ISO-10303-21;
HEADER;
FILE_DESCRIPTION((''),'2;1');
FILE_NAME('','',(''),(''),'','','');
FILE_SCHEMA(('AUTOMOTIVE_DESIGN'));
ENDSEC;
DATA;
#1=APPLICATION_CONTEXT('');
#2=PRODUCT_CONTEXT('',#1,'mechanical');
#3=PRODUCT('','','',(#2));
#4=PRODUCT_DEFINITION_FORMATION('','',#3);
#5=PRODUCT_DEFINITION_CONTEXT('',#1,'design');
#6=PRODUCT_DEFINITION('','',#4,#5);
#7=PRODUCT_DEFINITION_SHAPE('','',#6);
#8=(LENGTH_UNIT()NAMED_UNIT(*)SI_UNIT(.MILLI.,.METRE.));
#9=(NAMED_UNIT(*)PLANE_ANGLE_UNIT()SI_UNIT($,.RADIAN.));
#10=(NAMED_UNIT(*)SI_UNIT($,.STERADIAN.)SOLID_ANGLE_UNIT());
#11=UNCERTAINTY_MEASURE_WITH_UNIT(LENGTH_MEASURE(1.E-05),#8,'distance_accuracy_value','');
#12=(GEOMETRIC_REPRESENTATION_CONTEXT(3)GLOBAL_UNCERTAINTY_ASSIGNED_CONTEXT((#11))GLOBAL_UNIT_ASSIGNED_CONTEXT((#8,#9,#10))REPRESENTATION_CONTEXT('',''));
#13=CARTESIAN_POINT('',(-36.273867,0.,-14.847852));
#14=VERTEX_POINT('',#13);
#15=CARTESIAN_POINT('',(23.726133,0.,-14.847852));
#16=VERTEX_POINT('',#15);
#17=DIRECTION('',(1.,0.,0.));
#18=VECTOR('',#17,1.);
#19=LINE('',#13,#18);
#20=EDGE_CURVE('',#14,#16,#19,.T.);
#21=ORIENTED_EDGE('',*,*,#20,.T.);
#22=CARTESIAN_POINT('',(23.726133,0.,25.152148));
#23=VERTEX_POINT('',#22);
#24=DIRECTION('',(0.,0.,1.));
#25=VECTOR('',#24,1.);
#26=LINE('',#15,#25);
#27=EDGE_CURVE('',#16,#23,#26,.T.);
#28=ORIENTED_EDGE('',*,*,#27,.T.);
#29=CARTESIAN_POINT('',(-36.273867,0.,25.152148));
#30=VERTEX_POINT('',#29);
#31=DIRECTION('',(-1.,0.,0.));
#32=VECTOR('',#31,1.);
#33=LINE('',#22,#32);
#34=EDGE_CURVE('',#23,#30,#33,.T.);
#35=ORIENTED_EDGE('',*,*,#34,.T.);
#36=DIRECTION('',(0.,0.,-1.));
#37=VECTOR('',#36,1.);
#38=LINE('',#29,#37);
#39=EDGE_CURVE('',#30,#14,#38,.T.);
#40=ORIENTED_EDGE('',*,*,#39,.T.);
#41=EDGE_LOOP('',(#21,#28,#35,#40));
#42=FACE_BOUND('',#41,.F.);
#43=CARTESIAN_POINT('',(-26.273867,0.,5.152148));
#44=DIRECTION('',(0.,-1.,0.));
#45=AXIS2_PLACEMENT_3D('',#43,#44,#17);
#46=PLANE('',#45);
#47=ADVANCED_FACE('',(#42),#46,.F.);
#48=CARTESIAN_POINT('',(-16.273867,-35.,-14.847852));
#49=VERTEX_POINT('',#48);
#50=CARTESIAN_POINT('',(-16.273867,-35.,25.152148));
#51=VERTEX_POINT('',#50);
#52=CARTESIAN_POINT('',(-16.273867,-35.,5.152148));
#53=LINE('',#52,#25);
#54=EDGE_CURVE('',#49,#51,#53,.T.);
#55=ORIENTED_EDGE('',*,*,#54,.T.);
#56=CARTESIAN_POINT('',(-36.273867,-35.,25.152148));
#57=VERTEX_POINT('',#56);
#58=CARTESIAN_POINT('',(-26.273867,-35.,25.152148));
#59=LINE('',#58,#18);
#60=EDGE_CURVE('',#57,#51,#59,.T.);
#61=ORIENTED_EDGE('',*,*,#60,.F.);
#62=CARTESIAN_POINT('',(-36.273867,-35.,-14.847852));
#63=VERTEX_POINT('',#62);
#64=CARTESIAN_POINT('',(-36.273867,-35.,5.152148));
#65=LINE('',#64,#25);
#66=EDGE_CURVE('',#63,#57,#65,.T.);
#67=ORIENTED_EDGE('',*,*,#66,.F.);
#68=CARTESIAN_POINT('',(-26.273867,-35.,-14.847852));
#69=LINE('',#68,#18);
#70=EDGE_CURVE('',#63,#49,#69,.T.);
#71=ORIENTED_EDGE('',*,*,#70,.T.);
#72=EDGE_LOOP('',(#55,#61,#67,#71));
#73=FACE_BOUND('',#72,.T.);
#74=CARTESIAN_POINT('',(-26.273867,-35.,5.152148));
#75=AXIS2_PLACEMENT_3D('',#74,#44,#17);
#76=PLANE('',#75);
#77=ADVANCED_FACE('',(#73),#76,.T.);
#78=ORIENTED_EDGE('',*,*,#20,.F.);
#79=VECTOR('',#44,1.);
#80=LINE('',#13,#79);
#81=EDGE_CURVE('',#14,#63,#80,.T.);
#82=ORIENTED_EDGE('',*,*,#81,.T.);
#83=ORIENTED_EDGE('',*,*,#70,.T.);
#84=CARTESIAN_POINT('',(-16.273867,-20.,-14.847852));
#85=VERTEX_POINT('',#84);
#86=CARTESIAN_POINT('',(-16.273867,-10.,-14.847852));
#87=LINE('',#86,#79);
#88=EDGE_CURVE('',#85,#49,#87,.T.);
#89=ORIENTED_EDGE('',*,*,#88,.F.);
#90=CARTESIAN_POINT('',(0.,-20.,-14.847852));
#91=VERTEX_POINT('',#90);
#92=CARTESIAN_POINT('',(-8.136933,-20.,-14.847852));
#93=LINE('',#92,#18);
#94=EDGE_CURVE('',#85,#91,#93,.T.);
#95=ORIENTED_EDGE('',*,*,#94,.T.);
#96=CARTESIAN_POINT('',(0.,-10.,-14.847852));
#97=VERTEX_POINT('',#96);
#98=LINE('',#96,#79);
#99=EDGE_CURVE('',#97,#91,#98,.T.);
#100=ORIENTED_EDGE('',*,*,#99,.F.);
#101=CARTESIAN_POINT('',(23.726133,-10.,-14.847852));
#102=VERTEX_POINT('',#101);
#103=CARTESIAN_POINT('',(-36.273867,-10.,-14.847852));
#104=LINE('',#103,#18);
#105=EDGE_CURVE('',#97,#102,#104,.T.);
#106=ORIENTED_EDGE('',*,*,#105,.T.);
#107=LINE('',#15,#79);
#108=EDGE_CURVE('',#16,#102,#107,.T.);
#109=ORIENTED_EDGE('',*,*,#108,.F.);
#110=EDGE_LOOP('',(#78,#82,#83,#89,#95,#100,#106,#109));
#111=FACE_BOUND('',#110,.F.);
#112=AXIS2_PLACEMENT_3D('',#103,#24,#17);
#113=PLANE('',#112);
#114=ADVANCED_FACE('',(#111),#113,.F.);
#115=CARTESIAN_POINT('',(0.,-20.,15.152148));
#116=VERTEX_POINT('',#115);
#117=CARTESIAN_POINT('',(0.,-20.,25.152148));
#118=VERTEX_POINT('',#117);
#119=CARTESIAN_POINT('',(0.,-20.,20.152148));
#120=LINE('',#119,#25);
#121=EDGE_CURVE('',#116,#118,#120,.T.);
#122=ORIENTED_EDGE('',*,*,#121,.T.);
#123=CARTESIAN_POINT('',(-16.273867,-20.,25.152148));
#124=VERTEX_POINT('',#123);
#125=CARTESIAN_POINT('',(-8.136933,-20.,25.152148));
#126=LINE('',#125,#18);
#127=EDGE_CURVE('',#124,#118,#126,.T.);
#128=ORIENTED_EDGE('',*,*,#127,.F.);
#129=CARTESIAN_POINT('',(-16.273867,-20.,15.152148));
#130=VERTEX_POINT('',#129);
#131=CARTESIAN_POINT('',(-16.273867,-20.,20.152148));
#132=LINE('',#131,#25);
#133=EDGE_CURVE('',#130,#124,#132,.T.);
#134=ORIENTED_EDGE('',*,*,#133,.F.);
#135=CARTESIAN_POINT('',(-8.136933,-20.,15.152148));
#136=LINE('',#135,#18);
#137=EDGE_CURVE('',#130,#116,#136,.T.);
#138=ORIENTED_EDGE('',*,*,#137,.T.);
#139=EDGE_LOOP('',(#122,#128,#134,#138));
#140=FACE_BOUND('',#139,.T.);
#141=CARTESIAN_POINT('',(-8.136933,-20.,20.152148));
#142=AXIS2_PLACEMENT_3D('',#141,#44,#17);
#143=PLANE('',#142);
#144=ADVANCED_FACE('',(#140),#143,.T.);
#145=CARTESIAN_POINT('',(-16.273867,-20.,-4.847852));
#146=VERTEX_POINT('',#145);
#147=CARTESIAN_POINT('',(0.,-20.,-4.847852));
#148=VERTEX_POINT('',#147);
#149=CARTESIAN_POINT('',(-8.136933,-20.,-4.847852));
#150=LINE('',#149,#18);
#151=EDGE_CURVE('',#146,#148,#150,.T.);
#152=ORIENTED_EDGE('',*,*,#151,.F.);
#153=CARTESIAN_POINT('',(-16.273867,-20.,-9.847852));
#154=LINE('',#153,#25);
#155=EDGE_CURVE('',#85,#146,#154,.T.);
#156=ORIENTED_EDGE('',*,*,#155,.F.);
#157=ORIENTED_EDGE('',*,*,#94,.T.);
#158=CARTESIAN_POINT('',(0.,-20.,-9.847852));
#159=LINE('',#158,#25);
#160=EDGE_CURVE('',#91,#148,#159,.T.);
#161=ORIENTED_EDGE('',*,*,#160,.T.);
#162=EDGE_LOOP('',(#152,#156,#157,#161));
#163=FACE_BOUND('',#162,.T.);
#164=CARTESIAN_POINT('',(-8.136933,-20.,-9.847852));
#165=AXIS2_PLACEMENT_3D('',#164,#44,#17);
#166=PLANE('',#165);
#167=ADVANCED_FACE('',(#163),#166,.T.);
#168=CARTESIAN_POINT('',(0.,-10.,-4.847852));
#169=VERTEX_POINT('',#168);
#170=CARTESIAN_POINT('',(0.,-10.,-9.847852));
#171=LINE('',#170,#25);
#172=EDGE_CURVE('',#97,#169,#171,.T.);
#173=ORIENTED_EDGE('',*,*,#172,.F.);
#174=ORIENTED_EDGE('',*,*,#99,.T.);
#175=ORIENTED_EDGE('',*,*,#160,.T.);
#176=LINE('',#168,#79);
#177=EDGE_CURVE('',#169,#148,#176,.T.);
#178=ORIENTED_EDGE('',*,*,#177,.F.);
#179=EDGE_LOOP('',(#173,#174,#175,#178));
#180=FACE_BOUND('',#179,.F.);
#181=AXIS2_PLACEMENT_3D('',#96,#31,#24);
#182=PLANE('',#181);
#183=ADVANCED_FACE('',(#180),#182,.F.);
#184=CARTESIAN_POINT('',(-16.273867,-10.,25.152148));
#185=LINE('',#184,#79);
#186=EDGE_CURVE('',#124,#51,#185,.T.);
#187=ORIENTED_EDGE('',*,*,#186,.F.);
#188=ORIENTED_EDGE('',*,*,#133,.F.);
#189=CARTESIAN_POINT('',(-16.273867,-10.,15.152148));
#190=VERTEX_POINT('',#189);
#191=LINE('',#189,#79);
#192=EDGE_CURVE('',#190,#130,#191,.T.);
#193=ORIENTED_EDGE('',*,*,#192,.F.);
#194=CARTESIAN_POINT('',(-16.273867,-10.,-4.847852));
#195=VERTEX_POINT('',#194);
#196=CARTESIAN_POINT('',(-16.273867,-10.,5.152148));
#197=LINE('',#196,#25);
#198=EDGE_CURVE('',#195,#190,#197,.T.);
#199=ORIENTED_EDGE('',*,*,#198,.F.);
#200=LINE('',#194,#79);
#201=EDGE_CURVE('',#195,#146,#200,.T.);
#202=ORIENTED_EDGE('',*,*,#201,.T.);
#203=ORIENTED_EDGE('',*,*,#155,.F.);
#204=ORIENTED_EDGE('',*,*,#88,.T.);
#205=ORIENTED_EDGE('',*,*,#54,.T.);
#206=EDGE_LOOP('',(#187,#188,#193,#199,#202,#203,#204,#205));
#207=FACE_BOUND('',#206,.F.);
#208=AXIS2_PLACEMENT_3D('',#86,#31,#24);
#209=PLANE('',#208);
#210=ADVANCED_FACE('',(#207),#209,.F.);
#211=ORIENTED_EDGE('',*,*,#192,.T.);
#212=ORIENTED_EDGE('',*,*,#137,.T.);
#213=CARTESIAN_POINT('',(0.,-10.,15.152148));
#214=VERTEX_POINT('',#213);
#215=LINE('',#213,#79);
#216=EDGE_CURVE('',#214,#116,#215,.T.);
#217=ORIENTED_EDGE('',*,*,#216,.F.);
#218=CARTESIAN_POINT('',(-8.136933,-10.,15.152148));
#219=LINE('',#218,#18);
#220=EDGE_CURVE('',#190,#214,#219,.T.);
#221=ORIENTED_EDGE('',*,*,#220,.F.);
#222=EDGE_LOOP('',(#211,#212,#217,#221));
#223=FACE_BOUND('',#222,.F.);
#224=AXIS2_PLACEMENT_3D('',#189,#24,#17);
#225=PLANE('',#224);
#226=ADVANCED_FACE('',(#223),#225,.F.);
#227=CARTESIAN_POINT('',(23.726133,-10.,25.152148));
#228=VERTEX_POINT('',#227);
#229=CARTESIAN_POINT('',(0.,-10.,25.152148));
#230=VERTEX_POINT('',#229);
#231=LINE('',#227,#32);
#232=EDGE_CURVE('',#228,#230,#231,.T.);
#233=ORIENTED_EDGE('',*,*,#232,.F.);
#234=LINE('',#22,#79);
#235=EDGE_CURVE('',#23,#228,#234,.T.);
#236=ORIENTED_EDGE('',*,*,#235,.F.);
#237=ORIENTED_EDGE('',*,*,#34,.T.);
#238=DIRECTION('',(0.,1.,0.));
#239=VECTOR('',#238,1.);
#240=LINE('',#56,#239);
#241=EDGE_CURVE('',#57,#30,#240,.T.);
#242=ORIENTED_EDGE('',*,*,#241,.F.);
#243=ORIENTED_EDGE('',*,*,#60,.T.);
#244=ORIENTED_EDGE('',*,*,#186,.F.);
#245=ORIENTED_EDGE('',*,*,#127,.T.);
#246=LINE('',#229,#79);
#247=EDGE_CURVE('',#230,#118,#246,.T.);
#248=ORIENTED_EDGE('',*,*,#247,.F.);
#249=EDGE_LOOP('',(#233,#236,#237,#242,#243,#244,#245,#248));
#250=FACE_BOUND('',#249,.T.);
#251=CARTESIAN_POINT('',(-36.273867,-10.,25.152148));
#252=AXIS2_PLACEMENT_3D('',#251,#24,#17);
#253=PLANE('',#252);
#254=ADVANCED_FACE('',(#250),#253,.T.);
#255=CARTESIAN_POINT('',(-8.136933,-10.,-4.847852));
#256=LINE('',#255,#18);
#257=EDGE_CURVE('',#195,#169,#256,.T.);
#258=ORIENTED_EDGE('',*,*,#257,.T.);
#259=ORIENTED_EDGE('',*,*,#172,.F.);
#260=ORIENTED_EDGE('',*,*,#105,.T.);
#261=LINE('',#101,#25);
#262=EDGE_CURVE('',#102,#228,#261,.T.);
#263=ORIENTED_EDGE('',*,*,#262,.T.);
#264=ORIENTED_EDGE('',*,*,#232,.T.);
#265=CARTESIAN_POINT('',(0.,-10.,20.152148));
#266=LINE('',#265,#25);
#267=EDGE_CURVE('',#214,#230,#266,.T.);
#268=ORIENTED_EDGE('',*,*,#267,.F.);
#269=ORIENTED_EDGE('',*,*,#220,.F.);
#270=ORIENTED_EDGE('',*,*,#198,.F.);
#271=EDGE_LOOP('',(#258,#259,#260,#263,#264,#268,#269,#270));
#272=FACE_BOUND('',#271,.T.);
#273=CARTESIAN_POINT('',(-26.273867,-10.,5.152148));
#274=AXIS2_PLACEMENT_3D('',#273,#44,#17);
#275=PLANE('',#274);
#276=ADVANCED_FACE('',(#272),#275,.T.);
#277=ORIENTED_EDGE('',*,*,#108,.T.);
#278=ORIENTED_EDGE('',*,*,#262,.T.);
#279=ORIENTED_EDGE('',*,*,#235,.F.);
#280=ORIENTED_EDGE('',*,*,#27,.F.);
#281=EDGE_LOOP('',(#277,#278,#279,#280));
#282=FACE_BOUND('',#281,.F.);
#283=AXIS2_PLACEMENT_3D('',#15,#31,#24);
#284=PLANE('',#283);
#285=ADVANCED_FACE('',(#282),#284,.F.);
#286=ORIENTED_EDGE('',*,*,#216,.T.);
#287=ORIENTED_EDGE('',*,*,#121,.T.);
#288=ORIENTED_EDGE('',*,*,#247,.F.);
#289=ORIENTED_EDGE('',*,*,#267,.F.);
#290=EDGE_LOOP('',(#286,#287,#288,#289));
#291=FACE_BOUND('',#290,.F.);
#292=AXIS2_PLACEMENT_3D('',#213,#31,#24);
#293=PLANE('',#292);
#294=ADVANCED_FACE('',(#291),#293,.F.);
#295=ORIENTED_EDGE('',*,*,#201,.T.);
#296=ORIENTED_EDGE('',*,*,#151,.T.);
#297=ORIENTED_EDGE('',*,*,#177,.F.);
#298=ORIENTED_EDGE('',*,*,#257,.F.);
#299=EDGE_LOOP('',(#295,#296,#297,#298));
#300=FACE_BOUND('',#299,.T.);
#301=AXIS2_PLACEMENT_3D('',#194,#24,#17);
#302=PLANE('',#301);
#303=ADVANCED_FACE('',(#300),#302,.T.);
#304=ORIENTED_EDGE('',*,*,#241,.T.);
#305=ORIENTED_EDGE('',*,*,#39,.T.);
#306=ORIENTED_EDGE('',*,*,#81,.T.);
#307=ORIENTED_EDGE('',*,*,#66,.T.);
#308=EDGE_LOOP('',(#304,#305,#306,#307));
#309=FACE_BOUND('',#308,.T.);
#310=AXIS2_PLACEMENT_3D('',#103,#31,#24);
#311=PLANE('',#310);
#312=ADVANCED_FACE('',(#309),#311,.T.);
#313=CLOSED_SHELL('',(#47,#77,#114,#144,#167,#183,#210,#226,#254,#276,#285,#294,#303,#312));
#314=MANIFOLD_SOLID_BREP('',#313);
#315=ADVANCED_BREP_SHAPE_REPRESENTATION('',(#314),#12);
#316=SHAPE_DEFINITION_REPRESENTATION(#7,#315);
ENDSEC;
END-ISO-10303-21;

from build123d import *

# Parameters (mm, degrees)
F0_W     = 20
F0_H     = 10
F1_DEPTH = 10
F2_W     = 20
F2_H     = 40
F3_DEPTH = 25
F4_W     = 16.2738668919
F4_H     = 10
F5_DEPTH = 10


with BuildPart() as f1:
    # F0 (on Front) → F1 (new body)
    with BuildSketch(Plane.XZ):
        Polygon((-16.2738668919, 25.1521477103), (-36.2738668919, 25.1521477103), (-36.2738668919, -14.8478522897), (-16.2738668919, -14.8478522897), (-16.2738668919, -4.8478522897), (-16.2738668919, 15.1521477103), align=None)
        with Locations((-6.2738668919, 20.1521477103)):
            Rectangle(F0_W, F0_H)
        Polygon((23.7261331081, 25.1521477103), (3.7261331081, 25.1521477103), (3.7261331081, 15.1521477103), (-16.2738668919, 15.1521477103), (-16.2738668919, -4.8478522897), (3.7261331081, -4.8478522897), (3.7261331081, -14.8478522897), (23.7261331081, -14.8478522897), align=None)
        with Locations((-6.2738668919, -9.8478522897)):
            Rectangle(F0_W, F0_H)
    extrude(amount=F1_DEPTH)

    # F2 (on face) → F3 (join)
    with BuildSketch(Plane.XZ.offset(10)):
        with Locations((-26.2738668919, 5.1521477103)):
            Rectangle(F2_W, F2_H)
    extrude(amount=F3_DEPTH)

    # F4 (on face) → F5 (join)
    with BuildSketch(Plane.XZ.offset(10)):
        with Locations((-8.1369334459, 20.1521477103)):
            Rectangle(F4_W, F4_H)
        with Locations((-8.1369334459, -9.8478522897)):
            Rectangle(F4_W, F4_H)
    extrude(amount=F5_DEPTH)


solid = f1.part
